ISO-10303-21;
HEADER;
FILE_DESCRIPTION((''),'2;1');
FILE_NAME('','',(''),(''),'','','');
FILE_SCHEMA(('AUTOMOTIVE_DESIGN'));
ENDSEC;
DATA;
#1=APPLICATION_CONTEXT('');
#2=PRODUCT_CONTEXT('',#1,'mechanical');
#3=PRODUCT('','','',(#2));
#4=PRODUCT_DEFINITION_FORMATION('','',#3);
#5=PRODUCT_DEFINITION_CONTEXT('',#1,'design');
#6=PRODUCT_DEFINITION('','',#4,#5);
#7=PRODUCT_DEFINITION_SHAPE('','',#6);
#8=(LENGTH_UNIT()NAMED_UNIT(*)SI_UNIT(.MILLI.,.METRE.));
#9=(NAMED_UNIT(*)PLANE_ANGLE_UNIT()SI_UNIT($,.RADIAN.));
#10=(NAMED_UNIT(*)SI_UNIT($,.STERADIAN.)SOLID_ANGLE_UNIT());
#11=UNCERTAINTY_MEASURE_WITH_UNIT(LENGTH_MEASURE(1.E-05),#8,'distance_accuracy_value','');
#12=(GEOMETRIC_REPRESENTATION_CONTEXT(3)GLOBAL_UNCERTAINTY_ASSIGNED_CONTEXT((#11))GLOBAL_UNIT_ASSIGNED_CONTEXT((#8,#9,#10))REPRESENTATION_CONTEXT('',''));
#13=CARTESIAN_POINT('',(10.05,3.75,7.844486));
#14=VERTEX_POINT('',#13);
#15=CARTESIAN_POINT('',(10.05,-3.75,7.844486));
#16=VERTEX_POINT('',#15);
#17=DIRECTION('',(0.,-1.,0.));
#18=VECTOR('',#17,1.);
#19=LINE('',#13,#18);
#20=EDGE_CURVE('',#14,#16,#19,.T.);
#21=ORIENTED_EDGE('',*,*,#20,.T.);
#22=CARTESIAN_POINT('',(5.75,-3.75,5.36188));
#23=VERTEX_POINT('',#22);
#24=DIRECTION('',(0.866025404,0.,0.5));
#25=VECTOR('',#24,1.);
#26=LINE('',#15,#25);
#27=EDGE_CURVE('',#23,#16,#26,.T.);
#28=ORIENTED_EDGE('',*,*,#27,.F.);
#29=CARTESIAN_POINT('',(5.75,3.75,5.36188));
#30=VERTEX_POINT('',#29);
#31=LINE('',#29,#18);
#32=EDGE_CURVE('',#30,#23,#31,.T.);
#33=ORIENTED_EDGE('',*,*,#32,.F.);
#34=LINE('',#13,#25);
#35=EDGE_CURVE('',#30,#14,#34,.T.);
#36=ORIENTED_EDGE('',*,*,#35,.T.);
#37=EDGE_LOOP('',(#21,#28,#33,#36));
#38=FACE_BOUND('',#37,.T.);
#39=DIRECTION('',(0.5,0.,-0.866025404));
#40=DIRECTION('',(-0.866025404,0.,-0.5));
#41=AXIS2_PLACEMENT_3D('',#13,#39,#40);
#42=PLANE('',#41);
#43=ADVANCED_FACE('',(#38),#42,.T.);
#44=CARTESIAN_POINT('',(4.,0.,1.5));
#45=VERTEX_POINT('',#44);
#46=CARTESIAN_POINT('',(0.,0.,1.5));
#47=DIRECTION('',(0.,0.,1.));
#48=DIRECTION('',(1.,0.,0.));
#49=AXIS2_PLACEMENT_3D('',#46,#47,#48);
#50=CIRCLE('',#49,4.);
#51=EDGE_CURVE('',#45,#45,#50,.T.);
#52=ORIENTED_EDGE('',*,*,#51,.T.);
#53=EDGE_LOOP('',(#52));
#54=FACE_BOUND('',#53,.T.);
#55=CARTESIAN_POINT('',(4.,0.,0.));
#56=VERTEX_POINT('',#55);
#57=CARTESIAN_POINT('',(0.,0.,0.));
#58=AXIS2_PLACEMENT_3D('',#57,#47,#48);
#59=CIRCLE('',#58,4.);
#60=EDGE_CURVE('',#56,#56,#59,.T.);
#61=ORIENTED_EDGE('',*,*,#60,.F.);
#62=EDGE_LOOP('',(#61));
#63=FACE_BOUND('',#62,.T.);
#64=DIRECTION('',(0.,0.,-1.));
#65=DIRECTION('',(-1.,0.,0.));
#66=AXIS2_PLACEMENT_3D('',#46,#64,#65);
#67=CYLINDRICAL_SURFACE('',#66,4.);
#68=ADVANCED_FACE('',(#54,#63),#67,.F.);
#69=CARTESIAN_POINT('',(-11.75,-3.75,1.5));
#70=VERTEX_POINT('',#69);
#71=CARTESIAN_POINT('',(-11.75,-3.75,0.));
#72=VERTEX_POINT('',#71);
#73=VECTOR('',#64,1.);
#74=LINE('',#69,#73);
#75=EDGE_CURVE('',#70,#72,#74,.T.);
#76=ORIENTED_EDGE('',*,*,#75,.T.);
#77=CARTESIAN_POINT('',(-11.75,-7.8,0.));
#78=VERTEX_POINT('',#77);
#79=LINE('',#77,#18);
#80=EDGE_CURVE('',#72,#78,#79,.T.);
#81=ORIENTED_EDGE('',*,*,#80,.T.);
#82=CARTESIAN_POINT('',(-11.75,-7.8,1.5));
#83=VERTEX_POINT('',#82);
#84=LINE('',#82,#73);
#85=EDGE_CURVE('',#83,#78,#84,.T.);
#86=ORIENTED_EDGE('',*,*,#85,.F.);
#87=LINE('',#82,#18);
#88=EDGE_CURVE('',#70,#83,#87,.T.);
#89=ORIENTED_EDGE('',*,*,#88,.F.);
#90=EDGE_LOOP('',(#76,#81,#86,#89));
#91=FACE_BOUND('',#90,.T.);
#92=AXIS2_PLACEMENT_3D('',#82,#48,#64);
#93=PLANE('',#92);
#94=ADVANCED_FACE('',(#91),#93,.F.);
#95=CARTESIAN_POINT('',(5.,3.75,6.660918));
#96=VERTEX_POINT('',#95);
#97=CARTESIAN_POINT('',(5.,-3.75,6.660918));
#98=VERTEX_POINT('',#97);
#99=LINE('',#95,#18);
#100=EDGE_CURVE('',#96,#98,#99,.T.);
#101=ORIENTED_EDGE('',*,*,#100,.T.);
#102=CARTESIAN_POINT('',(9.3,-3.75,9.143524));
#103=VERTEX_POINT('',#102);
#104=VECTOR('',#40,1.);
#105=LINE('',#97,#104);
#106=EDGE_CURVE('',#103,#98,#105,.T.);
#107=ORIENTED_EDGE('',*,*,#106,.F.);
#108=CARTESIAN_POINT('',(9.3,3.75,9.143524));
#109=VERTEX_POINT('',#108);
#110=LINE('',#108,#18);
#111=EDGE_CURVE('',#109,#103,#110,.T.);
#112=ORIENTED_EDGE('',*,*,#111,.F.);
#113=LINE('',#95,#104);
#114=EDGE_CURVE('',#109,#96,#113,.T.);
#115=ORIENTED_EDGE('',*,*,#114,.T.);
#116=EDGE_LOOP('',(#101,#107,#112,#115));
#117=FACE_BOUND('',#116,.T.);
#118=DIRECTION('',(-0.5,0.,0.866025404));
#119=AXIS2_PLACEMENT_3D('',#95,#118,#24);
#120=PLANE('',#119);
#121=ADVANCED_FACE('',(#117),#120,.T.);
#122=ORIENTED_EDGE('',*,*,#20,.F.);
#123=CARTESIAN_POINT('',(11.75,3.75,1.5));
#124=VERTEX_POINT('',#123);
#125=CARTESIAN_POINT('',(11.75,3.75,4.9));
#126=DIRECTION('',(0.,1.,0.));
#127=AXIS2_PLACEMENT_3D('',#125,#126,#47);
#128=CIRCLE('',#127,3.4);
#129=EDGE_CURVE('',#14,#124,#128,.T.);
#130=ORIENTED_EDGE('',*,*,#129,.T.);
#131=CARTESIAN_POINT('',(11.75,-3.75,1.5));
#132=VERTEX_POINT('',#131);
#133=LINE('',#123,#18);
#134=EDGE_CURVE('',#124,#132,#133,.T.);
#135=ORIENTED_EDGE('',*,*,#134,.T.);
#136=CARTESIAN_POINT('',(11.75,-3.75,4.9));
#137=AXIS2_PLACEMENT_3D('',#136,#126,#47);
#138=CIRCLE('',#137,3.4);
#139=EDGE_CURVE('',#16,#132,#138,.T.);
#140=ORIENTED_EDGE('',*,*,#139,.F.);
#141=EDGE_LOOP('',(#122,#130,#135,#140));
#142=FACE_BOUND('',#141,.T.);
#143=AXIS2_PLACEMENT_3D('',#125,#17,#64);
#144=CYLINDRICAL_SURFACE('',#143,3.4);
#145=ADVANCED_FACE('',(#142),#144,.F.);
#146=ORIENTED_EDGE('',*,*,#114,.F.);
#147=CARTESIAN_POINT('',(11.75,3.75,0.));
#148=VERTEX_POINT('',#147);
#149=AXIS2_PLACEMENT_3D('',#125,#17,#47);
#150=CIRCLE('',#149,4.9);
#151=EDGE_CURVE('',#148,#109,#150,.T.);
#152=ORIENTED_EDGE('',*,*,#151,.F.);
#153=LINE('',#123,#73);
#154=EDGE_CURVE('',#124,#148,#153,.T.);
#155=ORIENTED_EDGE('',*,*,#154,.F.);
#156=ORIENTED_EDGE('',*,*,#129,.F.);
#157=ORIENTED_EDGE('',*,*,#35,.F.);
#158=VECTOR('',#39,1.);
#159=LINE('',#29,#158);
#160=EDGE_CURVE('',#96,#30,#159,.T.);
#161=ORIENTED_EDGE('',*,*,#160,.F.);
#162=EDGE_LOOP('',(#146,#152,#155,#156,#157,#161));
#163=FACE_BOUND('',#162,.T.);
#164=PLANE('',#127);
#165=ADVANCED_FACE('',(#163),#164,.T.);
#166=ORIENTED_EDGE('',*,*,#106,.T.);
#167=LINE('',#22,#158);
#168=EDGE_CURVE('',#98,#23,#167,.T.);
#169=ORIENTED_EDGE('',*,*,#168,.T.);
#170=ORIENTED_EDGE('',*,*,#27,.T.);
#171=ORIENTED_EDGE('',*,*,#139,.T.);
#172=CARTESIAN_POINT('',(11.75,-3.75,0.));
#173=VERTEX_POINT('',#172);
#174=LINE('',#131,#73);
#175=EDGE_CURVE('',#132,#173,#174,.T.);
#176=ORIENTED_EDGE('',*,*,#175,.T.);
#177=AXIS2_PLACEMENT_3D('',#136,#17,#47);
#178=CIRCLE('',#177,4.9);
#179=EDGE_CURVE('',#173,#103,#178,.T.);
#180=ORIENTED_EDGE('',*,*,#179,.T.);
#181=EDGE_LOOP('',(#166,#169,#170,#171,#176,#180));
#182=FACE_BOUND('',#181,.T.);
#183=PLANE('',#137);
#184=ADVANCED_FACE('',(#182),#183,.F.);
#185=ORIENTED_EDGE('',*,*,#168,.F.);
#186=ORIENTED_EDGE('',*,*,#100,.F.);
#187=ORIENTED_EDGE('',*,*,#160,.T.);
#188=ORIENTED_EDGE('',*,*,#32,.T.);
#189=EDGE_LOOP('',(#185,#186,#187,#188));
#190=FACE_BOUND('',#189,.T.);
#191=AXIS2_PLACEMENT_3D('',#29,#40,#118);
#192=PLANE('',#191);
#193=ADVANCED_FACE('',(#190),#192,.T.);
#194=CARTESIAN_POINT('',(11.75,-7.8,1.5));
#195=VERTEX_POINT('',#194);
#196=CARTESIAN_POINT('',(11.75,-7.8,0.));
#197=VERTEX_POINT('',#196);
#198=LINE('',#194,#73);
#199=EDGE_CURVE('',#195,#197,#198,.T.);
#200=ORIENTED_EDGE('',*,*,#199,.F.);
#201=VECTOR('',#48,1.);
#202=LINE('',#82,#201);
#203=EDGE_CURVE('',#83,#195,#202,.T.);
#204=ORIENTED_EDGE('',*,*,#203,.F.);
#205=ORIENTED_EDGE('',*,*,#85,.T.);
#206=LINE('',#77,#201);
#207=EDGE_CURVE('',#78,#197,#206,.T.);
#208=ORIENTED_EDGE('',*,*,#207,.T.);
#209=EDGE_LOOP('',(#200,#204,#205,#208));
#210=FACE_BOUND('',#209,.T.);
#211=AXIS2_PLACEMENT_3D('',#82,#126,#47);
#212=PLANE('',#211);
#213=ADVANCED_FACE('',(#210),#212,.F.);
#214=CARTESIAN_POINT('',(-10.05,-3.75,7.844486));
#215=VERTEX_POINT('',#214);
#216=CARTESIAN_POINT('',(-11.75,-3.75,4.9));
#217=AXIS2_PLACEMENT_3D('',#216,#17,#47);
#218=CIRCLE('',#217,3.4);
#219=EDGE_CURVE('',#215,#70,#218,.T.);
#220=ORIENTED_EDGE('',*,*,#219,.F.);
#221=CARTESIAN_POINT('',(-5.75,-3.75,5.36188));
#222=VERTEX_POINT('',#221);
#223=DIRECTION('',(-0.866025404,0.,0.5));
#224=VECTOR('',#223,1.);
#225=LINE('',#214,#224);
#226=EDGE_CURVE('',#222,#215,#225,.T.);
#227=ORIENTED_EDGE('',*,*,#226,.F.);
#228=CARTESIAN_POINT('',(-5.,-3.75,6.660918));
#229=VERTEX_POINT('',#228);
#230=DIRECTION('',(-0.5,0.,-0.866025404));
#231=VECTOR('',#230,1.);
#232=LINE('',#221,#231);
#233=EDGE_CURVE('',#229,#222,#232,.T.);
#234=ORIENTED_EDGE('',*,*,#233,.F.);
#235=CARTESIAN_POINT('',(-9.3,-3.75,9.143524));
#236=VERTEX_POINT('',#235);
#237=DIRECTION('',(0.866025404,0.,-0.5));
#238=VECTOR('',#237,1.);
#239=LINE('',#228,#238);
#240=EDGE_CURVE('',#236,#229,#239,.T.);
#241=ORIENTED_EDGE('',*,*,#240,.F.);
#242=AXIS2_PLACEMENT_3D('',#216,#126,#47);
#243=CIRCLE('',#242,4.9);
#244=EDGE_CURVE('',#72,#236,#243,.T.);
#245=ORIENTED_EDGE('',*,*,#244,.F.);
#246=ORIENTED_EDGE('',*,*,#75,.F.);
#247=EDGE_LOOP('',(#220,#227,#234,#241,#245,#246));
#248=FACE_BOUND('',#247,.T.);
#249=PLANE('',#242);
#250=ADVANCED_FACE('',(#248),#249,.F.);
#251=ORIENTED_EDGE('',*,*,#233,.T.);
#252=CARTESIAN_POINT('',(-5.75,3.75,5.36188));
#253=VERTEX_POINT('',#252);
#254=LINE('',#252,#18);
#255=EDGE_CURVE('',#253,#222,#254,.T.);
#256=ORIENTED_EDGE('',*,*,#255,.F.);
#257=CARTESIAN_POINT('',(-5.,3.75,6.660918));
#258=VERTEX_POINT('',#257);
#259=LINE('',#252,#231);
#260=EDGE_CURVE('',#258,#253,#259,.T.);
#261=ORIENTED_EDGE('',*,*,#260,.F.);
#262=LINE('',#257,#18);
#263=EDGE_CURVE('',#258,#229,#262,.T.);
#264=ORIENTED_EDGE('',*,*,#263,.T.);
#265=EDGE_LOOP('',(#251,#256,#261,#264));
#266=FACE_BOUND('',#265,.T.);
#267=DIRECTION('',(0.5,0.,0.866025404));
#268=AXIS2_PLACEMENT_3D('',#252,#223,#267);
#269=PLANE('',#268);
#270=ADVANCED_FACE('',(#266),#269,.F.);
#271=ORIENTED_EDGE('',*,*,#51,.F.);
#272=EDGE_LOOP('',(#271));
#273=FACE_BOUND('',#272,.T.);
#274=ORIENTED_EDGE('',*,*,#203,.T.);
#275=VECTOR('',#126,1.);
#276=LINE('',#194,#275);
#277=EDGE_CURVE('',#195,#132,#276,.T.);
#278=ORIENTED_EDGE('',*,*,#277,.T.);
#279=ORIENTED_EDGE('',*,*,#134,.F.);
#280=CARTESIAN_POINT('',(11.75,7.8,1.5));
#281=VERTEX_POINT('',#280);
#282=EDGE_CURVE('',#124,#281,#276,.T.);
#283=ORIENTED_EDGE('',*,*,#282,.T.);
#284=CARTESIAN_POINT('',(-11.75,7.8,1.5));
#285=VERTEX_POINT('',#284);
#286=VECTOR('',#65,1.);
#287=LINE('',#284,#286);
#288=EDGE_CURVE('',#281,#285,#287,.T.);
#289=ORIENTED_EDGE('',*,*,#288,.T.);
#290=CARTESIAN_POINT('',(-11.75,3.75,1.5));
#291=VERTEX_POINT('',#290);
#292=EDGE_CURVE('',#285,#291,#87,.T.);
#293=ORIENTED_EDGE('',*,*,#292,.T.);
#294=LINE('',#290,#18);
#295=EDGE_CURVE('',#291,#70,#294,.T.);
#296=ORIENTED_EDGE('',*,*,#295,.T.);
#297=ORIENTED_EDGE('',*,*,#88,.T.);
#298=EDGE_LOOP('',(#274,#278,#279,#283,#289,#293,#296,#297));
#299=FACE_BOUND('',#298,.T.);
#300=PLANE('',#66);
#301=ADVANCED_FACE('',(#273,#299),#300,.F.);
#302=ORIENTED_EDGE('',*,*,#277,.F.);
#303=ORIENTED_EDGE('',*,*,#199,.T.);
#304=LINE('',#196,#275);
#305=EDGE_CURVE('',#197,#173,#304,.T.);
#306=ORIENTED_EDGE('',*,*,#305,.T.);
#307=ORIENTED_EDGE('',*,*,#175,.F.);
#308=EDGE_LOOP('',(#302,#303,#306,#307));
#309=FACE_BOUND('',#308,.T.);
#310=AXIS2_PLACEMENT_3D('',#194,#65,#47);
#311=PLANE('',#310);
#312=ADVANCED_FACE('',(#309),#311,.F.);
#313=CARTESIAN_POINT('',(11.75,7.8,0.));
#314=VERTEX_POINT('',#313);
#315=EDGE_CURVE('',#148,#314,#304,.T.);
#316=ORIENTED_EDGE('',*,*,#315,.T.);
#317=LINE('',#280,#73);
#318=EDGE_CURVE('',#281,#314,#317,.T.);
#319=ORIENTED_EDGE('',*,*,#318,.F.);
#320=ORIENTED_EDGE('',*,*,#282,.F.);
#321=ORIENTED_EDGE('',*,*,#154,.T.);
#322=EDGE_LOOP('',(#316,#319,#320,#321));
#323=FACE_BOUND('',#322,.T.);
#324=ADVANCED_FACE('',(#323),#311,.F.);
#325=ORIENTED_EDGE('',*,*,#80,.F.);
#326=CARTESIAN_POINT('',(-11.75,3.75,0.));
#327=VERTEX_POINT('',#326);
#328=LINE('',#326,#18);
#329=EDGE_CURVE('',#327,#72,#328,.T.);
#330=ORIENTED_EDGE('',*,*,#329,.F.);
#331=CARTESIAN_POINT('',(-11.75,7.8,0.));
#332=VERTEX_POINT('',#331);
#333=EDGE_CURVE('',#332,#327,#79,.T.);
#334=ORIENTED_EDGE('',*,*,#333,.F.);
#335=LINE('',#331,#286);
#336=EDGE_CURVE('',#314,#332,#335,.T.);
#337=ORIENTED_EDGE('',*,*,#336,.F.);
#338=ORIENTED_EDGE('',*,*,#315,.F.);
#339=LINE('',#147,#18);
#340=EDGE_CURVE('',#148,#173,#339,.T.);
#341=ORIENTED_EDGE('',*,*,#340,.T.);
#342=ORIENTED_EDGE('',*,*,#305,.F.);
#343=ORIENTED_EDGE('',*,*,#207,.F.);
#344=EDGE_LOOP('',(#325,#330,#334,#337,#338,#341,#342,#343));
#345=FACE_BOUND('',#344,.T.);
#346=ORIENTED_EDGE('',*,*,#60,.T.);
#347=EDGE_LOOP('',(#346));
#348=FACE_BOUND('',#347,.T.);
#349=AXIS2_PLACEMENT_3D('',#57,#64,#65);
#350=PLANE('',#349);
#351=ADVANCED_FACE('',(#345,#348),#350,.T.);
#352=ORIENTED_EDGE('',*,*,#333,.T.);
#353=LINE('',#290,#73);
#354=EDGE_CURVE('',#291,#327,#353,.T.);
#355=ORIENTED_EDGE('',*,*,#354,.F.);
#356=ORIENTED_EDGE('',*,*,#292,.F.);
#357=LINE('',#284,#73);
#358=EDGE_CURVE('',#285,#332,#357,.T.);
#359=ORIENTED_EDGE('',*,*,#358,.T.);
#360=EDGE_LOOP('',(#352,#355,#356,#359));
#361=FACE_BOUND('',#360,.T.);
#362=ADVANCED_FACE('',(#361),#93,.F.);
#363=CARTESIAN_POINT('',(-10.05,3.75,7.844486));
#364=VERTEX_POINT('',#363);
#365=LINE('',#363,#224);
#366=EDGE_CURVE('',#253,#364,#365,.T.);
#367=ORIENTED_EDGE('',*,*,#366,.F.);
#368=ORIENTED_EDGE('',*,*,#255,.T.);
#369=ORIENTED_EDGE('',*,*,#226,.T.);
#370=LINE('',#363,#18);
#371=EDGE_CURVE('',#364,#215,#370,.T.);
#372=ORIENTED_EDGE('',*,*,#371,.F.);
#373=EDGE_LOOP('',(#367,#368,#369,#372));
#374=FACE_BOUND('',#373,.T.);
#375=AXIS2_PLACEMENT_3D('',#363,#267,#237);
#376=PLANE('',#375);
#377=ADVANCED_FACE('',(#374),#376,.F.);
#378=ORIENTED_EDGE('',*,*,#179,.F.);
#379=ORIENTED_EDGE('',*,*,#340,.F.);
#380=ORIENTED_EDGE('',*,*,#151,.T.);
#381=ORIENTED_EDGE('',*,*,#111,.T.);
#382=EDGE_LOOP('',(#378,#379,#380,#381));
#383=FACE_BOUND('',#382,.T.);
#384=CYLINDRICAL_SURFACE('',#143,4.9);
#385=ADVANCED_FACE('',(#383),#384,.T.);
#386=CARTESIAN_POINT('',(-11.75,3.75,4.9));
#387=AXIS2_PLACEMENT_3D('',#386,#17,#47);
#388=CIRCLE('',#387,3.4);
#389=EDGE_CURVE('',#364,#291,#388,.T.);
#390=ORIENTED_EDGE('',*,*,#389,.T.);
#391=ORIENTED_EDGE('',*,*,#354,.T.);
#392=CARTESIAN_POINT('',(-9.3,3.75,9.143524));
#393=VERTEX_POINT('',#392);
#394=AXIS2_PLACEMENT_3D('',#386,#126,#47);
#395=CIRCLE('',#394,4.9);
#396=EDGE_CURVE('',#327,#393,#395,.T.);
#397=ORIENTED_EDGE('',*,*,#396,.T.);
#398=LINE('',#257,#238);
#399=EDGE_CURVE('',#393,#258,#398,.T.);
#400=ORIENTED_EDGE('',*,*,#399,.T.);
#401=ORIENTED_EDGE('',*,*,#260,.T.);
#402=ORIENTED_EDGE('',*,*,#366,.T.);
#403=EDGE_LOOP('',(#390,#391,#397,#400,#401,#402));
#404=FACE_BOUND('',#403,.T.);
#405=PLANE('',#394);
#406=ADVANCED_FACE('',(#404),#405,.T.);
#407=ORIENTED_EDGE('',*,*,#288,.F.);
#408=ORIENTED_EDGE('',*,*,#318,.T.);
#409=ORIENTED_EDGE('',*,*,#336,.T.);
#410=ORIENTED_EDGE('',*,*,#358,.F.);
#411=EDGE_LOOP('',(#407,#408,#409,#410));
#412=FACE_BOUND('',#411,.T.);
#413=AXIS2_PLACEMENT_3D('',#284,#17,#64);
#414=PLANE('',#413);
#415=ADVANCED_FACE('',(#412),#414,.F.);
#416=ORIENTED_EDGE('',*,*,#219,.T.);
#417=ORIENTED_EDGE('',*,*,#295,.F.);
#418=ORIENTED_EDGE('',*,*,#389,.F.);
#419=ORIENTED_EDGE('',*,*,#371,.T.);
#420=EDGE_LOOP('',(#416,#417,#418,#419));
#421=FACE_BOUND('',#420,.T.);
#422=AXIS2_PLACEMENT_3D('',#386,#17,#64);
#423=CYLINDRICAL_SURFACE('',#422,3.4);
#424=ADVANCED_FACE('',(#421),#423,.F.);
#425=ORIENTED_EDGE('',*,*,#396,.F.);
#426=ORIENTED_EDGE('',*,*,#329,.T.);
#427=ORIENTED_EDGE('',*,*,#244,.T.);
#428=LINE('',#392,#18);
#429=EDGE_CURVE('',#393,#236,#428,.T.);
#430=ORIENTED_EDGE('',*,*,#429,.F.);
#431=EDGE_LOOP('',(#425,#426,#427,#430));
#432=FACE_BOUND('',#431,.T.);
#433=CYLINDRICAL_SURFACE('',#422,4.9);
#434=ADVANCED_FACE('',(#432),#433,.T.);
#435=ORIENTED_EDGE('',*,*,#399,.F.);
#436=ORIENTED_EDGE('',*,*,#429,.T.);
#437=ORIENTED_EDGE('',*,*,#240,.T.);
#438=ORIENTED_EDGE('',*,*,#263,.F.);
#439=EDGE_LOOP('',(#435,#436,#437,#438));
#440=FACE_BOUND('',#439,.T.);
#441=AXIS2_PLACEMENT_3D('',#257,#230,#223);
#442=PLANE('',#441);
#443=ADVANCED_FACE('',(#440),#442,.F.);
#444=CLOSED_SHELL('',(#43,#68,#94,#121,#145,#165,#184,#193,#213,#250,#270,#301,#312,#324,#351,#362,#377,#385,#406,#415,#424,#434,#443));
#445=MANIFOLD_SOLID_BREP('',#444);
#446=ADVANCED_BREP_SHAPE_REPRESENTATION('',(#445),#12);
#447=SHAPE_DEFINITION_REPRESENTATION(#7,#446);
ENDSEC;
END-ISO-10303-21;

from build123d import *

# Parameters (mm, degrees)
SKETCH_1_W      = 23.5
SKETCH_1_H      = 15.6
SKETCH_1_R      = 4
EXTRUDE_1_DEPTH = 1.5
EXTRUDE_2_DEPTH = 3.75


with BuildPart() as part:
    # Эскиз1 → Бобышка-Вытянуть1 (new body)
    with BuildSketch(Plane.XY):
        Rectangle(SKETCH_1_W, SKETCH_1_H)
        Circle(SKETCH_1_R, mode=Mode.SUBTRACT)
    extrude(amount=EXTRUDE_1_DEPTH)

    # Эскиз3 → Бобышка-Вытянуть2 (add, symmetric)
    with BuildSketch(Plane(origin=(0, 0, 0), x_dir=(1, 0, 0), z_dir=(0, 1, 0))):
        with BuildLine():
            Line((-10.05, -7.844486373), (-5.75, -5.361880215))
            Line((-5.75, -5.361880215), (-5, -6.660918321))
            Line((-5, -6.660918321), (-9.3, -9.143524479))
            ThreePointArc((-9.3, -9.143524479), (-16.483036549, -6.168213321), (-11.75, 0))
            Line((-11.75, 0), (-11.75, -1.5))
            ThreePointArc((-11.75, -1.5), (-15.034147809, -5.779984753), (-10.05, -7.844486373))
        make_face()
    extrude_2 = extrude(amount=EXTRUDE_2_DEPTH, both=True)

    # Зеркальное отражение1: Бобышка-Вытянуть2 across plane
    add(extrude_2.mirror(Plane(origin=(0, 0, 0), x_dir=(0, 0, 1), z_dir=(1, 0, 0))))


solid = part.part
